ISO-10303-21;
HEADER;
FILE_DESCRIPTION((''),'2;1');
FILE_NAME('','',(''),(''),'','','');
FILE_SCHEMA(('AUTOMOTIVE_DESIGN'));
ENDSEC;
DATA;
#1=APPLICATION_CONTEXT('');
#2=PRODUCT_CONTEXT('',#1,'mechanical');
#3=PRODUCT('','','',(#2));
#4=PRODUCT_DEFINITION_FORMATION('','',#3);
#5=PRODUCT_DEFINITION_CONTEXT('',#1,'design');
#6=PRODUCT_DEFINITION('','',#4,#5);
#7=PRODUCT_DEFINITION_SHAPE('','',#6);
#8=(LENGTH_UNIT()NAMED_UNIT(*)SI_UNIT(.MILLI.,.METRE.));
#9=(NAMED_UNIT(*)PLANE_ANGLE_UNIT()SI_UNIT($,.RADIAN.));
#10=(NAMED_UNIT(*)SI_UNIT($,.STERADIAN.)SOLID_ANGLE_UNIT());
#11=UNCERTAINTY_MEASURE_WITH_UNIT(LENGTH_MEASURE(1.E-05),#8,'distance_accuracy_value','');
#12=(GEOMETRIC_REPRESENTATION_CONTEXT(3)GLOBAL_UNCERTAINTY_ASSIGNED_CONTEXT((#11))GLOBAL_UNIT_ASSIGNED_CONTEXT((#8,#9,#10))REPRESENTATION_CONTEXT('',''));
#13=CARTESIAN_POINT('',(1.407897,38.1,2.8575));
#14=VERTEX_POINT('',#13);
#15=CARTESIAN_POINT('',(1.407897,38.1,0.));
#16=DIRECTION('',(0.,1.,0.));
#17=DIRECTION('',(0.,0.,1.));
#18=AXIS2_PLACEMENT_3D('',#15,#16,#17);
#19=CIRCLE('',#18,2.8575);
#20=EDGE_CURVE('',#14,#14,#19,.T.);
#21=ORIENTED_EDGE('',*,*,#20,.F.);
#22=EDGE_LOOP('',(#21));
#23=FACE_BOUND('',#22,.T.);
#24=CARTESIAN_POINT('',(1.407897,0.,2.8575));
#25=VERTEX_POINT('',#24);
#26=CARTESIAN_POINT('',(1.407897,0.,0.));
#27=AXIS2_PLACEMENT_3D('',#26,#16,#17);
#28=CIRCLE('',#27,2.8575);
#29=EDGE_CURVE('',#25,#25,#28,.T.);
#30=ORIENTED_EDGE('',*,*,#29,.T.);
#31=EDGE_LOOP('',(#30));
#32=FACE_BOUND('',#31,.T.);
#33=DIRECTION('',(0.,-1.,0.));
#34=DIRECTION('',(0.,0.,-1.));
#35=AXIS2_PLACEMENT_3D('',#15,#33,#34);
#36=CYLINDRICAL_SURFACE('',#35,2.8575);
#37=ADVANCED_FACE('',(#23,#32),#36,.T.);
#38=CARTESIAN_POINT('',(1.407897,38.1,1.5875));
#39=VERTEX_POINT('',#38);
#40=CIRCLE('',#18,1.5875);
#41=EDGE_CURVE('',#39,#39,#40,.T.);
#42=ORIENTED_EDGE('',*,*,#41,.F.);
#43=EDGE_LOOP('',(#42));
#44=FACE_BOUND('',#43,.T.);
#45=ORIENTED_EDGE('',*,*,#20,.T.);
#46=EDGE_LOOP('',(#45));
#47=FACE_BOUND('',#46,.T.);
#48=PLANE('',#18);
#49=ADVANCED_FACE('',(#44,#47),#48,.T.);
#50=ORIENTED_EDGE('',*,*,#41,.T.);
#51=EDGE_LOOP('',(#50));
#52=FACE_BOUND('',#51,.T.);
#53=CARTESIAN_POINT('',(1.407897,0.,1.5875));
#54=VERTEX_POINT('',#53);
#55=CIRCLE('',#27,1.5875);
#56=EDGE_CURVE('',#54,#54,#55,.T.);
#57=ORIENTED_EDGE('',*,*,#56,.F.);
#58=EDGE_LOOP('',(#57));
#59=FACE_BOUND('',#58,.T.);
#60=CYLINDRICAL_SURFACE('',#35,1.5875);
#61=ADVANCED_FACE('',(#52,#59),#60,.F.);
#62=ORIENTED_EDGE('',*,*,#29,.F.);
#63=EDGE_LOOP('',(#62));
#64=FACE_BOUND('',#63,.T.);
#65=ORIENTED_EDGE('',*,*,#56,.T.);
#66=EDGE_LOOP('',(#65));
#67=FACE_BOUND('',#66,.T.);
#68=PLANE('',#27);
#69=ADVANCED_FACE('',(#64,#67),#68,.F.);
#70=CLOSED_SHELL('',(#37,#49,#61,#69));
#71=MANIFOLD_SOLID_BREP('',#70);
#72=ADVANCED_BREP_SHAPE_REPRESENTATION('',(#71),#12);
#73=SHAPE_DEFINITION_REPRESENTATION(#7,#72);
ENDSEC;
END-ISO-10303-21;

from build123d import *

# Parameters (mm, degrees)
SKETCH1_R           = 2.8575
SKETCH1_R_2         = 1.5875
BOSS_EXTRUDE1_DEPTH = 38.1


with BuildPart() as part:
    # Sketch1 → Boss-Extrude1 (new body)
    with BuildSketch(Plane(origin=(0, 0, 0), x_dir=(1, 0, 0), z_dir=(0, 1, 0))):
        with Locations((1.407896852, 0)):
            Circle(SKETCH1_R)
        with Locations((1.407896852, 0)):
            Circle(SKETCH1_R_2, mode=Mode.SUBTRACT)
    extrude(amount=BOSS_EXTRUDE1_DEPTH)


solid = part.part
